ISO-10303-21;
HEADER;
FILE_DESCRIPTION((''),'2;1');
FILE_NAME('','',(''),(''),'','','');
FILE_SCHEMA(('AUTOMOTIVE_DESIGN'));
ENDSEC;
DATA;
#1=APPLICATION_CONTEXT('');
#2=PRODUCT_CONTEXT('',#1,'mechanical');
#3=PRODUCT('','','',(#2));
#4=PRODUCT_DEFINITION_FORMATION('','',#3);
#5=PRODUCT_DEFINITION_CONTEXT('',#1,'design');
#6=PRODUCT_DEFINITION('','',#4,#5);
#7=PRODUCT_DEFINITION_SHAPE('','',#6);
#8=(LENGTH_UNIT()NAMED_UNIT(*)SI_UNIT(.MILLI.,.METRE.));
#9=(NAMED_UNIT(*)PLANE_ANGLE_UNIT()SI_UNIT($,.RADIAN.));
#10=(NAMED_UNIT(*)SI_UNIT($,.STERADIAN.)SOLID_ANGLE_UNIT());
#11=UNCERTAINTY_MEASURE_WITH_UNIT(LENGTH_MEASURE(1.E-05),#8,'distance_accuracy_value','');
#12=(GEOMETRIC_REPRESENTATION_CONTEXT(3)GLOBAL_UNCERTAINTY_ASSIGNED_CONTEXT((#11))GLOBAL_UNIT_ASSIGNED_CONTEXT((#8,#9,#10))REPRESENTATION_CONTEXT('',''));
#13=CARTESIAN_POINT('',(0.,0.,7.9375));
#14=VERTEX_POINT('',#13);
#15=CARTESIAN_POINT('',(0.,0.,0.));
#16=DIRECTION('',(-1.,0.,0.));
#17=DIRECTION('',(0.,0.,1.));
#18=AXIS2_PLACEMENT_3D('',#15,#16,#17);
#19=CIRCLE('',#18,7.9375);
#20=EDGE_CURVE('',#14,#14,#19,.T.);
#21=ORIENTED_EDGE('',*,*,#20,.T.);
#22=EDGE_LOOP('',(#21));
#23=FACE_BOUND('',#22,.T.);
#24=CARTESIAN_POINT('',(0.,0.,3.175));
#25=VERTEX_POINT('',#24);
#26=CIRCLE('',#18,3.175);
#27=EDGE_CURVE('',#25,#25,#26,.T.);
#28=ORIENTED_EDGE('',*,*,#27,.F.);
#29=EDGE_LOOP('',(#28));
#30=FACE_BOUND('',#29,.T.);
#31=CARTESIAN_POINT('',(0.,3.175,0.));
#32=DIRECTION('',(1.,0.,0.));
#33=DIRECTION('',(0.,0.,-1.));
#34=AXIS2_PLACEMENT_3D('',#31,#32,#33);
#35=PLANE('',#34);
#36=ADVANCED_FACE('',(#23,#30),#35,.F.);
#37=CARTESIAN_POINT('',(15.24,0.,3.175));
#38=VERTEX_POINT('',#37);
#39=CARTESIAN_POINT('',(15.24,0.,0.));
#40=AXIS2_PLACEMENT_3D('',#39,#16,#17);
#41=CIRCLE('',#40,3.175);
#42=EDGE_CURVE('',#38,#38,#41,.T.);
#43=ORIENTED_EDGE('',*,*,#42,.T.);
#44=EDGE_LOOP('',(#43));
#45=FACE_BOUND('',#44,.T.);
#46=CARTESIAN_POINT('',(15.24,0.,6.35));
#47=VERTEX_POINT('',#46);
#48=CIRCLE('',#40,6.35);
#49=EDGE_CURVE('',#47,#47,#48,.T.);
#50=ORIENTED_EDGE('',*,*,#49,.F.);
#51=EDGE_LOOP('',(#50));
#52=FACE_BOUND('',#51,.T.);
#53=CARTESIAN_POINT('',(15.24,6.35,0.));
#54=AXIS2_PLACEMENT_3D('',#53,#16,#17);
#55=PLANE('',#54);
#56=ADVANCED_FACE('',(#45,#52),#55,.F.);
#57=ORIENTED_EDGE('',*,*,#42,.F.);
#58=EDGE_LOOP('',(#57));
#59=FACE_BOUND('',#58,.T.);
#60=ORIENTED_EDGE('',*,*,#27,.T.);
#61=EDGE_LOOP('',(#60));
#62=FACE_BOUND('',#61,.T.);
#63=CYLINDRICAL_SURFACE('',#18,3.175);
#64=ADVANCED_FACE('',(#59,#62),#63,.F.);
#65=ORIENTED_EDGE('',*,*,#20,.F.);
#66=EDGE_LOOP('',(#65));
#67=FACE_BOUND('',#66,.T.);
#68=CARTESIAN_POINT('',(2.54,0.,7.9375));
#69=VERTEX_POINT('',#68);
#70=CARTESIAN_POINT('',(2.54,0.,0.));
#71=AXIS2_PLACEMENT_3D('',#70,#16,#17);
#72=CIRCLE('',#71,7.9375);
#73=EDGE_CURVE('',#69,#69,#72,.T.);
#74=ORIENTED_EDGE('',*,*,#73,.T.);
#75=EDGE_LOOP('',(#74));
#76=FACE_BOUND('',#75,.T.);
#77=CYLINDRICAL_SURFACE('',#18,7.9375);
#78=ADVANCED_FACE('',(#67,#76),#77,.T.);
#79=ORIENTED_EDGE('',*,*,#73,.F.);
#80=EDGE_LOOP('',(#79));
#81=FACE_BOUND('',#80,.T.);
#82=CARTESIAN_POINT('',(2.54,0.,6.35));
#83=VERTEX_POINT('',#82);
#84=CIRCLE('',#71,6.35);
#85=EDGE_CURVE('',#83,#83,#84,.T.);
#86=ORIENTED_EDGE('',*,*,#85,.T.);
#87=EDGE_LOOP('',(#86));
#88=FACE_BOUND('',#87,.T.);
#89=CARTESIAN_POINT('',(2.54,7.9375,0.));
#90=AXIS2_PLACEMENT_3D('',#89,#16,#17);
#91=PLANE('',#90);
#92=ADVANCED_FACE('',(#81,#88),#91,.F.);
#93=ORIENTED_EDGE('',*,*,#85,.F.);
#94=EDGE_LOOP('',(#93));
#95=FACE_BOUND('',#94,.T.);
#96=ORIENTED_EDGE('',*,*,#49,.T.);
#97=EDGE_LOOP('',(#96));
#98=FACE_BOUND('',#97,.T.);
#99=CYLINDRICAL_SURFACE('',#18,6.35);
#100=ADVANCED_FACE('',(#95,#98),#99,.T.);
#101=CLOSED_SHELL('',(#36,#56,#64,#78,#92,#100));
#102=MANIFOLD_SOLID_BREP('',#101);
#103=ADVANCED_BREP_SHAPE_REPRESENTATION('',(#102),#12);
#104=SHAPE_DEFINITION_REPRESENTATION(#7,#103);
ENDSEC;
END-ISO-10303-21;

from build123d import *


with BuildPart() as part:
    # Sketch1 → Revolve1 (revolve)
    with BuildSketch(Plane.XY, mode=Mode.PRIVATE) as revolve1_sk:
        Polygon((0, 3.175), (0, 7.9375), (2.54, 7.9375), (2.54, 6.35), (15.24, 6.35), (15.24, 3.175), align=None)
    revolve(revolve1_sk.sketch.rotate(Axis((0, 0, 0), (1, 0, 0)), 90), axis=Axis((0, 0, 0), (1, 0, 0)))


solid = part.part
